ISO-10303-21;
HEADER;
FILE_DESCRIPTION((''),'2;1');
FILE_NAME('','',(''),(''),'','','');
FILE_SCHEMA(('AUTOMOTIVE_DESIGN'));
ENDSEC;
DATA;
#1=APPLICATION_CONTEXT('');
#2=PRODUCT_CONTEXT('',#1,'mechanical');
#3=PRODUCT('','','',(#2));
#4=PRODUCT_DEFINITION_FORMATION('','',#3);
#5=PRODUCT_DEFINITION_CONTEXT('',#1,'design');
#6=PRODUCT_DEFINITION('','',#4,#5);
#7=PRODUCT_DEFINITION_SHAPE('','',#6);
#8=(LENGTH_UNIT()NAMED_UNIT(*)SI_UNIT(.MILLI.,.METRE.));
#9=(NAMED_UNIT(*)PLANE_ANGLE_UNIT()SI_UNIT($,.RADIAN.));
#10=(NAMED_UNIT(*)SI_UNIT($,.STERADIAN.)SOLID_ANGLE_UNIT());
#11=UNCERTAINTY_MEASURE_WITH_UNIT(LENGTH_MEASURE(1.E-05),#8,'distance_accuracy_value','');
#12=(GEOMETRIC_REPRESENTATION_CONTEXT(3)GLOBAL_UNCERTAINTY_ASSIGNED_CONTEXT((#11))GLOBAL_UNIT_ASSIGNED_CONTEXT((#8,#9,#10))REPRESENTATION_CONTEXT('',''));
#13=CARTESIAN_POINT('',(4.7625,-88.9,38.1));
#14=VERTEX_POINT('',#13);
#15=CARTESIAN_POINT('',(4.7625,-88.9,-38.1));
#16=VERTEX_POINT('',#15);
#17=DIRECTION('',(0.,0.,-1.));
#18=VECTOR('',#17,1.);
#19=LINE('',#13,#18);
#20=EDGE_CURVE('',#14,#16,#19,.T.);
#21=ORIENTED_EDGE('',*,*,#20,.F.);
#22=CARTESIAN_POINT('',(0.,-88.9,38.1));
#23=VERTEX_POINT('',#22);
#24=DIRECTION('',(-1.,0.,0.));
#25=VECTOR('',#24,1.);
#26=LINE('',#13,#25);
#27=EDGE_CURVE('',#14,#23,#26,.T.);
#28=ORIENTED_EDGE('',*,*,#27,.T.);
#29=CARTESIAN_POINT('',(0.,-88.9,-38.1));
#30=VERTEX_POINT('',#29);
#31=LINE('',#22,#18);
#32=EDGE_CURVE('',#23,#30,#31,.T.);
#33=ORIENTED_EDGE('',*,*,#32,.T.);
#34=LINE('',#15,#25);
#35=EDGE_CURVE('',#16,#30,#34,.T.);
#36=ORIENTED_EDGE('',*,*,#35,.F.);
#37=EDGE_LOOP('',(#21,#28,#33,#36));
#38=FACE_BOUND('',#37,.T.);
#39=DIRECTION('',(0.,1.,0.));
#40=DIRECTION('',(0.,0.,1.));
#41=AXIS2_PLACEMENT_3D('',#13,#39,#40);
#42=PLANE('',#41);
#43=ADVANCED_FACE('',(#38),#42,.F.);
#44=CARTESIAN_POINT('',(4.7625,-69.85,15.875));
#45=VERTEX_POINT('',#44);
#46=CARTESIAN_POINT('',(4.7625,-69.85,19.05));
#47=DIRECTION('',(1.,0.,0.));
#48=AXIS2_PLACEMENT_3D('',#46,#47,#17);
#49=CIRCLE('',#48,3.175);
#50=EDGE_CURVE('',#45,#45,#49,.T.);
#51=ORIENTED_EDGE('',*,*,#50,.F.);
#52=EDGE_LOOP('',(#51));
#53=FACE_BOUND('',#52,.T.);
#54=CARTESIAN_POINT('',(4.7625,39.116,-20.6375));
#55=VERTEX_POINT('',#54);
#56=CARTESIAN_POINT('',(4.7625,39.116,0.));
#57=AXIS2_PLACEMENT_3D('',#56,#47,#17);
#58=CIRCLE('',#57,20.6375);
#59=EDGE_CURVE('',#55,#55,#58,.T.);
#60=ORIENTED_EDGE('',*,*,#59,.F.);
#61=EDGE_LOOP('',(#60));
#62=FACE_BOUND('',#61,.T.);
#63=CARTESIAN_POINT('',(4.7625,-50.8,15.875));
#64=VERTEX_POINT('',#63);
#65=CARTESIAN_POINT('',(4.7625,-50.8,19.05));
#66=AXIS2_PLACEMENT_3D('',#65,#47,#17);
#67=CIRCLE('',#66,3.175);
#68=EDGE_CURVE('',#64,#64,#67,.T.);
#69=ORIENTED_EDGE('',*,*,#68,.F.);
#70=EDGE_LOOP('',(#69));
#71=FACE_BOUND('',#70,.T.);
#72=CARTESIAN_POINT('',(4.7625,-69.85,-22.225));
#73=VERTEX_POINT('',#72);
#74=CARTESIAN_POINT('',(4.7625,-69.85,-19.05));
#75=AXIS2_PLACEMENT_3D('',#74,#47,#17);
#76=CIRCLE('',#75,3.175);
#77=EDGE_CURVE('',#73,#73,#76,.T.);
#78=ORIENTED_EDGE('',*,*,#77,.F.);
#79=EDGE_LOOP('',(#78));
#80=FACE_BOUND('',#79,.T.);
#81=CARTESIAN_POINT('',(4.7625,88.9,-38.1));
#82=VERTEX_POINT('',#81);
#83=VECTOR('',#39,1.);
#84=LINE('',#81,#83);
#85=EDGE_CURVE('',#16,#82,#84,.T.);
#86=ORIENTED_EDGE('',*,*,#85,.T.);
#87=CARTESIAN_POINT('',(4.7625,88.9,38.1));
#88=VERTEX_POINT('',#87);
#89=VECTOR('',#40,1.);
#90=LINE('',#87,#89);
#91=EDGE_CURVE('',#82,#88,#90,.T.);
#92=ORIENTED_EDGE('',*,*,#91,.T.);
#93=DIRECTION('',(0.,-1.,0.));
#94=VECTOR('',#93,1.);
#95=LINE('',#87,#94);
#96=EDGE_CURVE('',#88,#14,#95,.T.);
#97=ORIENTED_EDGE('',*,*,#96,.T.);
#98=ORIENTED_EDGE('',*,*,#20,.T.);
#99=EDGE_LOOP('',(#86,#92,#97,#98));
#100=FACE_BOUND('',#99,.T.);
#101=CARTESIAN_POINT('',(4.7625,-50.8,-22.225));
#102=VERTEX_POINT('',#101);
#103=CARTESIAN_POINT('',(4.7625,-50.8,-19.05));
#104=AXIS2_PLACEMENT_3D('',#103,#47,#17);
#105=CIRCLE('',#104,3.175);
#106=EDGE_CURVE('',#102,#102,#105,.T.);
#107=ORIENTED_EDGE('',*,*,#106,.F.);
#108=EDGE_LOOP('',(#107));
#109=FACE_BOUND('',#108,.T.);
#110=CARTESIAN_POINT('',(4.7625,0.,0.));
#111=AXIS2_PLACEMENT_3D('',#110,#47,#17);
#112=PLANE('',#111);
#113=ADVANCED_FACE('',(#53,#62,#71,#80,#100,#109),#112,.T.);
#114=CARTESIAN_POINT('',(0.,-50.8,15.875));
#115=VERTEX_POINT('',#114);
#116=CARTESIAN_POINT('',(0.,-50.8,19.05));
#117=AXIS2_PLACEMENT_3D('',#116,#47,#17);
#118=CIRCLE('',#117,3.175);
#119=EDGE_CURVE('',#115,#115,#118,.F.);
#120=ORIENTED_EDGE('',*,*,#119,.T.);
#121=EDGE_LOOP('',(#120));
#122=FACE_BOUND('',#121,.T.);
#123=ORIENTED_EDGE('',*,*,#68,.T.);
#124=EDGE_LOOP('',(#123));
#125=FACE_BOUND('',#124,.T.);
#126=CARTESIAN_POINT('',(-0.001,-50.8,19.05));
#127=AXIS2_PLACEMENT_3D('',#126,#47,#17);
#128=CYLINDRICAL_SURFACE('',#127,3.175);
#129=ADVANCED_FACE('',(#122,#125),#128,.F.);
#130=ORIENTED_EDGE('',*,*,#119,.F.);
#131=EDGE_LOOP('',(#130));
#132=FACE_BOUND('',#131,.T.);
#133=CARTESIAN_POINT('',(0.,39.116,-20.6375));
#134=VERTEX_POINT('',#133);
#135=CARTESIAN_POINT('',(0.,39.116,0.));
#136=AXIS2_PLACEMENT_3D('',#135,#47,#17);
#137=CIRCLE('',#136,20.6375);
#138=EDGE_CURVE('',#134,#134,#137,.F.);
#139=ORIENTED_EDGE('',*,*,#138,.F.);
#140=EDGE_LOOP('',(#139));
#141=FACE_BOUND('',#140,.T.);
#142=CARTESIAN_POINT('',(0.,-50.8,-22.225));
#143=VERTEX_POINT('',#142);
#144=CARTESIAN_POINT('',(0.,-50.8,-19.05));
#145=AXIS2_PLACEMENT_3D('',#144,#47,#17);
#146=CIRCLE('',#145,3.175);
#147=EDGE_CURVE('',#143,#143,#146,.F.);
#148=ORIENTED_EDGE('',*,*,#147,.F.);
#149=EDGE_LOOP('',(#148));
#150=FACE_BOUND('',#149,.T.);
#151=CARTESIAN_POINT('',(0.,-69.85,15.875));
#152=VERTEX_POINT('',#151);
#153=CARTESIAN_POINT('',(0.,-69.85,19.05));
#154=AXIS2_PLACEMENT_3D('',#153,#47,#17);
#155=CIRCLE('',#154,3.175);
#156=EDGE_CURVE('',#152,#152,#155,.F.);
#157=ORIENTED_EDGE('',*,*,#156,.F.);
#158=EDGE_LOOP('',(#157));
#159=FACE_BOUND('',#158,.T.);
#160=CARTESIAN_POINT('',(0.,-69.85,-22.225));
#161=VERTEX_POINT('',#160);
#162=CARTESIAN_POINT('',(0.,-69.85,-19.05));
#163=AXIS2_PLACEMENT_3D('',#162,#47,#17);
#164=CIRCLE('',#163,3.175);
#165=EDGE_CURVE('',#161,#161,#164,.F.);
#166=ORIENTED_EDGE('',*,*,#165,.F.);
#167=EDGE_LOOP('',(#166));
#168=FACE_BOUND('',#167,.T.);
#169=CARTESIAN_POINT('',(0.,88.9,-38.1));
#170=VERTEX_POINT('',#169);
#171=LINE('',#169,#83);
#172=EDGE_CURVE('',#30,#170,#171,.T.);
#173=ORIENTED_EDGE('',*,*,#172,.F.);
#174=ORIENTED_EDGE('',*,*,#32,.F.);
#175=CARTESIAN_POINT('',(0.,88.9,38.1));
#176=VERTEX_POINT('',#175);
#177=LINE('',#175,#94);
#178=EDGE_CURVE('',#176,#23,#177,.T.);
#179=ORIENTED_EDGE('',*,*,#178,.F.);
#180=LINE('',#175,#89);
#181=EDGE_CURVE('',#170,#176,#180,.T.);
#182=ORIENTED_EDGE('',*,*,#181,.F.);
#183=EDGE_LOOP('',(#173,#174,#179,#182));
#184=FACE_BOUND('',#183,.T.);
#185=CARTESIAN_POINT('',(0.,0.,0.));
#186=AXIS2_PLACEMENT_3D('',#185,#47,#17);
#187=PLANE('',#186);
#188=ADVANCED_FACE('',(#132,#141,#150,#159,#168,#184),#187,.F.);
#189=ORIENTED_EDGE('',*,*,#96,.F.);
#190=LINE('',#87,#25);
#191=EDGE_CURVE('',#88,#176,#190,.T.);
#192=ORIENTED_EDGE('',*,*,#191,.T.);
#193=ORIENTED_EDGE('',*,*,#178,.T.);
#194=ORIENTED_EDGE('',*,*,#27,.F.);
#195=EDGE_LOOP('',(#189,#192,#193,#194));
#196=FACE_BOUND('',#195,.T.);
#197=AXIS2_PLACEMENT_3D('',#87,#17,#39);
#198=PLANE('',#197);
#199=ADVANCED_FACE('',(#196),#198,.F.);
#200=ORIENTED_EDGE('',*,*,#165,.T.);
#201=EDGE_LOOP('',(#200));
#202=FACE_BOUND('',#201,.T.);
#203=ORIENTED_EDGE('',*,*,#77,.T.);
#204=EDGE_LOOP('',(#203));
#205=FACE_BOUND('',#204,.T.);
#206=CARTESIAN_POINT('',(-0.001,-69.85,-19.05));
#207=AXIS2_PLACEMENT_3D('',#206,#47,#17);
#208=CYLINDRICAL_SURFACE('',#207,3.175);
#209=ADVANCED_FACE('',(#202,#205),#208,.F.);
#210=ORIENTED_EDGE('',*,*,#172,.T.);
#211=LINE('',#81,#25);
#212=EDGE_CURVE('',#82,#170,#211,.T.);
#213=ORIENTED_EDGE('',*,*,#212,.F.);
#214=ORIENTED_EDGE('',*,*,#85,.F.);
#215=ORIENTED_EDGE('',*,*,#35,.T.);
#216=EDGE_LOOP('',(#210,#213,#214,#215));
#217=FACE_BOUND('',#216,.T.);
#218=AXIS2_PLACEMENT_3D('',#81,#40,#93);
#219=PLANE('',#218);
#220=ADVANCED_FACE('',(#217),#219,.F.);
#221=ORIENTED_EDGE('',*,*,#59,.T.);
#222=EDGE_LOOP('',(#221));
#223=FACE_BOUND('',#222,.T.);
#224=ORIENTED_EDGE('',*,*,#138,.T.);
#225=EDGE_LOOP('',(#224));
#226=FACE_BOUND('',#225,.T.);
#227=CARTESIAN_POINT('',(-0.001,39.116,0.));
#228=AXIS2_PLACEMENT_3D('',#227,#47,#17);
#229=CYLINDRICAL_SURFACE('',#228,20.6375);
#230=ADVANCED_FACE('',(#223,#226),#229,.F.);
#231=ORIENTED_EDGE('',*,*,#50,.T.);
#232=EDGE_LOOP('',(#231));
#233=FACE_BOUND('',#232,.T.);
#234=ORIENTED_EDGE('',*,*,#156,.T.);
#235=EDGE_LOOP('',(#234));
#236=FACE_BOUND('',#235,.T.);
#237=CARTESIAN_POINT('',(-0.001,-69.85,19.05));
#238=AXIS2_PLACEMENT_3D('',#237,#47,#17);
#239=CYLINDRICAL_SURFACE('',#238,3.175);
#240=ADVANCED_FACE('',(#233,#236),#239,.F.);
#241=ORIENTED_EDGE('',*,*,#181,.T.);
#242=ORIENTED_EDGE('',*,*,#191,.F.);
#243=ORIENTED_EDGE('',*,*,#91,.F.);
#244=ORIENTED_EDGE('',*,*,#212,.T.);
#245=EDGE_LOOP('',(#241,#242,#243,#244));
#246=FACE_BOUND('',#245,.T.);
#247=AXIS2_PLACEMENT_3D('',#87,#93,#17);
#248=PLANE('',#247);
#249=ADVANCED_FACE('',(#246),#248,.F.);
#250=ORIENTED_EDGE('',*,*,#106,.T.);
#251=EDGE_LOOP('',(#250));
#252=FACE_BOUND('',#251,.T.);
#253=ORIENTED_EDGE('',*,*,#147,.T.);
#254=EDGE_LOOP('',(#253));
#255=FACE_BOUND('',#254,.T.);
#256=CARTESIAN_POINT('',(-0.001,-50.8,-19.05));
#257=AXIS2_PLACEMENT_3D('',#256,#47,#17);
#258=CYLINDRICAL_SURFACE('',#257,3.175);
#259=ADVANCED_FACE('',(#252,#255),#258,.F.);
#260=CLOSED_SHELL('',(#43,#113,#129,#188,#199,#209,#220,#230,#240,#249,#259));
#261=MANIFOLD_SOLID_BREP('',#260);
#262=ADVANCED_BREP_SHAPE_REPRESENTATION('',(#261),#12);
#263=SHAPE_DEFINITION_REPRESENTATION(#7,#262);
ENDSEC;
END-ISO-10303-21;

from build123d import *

# Parameters (mm, degrees)
SKETCH1_W           = 76.2
SKETCH1_H           = 177.8
BOSS_EXTRUDE1_DEPTH = 4.7625
CUT_EXTRUDE1_REACH  = 98.838
SKETCH2_R           = 20.6375
CUT_EXTRUDE2_REACH  = 98.838
SKETCH4_R           = 3.175


with BuildPart() as part:
    # Sketch1 → Boss-Extrude1 (new body)
    with BuildSketch(Plane(origin=(0, 0, 0), x_dir=(0, 0, -1), z_dir=(1, 0, 0))):
        Rectangle(SKETCH1_W, SKETCH1_H)
    extrude(amount=BOSS_EXTRUDE1_DEPTH)

    # Sketch2 → Cut-Extrude1 (cut, up to next)
    with BuildSketch(Plane(origin=(4.7625, 0, 0), x_dir=(0, 0, -1), z_dir=(1, 0, 0)), mode=Mode.PRIVATE) as cut_extrude1_sk1:
        with Locations((0, 39.116)):
            Circle(SKETCH2_R)
    cut_extrude1_tool1 = extrude(cut_extrude1_sk1.sketch, amount=-CUT_EXTRUDE1_REACH, mode=Mode.PRIVATE) & part.part
    add(cut_extrude1_tool1.solids().sort_by_distance((4.7625, 39.116, 0))[0], mode=Mode.SUBTRACT)

    # Sketch4 → Cut-Extrude2 (cut, up to next)
    with BuildSketch(Plane(origin=(4.7625, 0, 0), x_dir=(0, 0, -1), z_dir=(1, 0, 0)), mode=Mode.PRIVATE) as cut_extrude2_sk1:
        with Locations((-19.05, -50.8)):
            Circle(SKETCH4_R)
    cut_extrude2_tool1 = extrude(cut_extrude2_sk1.sketch, amount=-CUT_EXTRUDE2_REACH, mode=Mode.PRIVATE) & part.part
    # Sketch4 → Cut-Extrude2 (cut, up to next)
    with BuildSketch(Plane(origin=(4.7625, 0, 0), x_dir=(0, 0, -1), z_dir=(1, 0, 0)), mode=Mode.PRIVATE) as cut_extrude2_sk2:
        with Locations((19.05, -50.8)):
            Circle(SKETCH4_R)
    cut_extrude2_tool2 = extrude(cut_extrude2_sk2.sketch, amount=-CUT_EXTRUDE2_REACH, mode=Mode.PRIVATE) & part.part
    # Sketch4 → Cut-Extrude2 (cut, up to next)
    with BuildSketch(Plane(origin=(4.7625, 0, 0), x_dir=(0, 0, -1), z_dir=(1, 0, 0)), mode=Mode.PRIVATE) as cut_extrude2_sk3:
        with Locations((19.05, -69.85)):
            Circle(SKETCH4_R)
    cut_extrude2_tool3 = extrude(cut_extrude2_sk3.sketch, amount=-CUT_EXTRUDE2_REACH, mode=Mode.PRIVATE) & part.part
    # Sketch4 → Cut-Extrude2 (cut, up to next)
    with BuildSketch(Plane(origin=(4.7625, 0, 0), x_dir=(0, 0, -1), z_dir=(1, 0, 0)), mode=Mode.PRIVATE) as cut_extrude2_sk4:
        with Locations((-19.05, -69.85)):
            Circle(SKETCH4_R)
    cut_extrude2_tool4 = extrude(cut_extrude2_sk4.sketch, amount=-CUT_EXTRUDE2_REACH, mode=Mode.PRIVATE) & part.part
    add(cut_extrude2_tool1.solids().sort_by_distance((4.7625, -50.8, 19.05))[0], mode=Mode.SUBTRACT)
    add(cut_extrude2_tool2.solids().sort_by_distance((4.7625, -50.8, -19.05))[0], mode=Mode.SUBTRACT)
    add(cut_extrude2_tool3.solids().sort_by_distance((4.7625, -69.85, -19.05))[0], mode=Mode.SUBTRACT)
    add(cut_extrude2_tool4.solids().sort_by_distance((4.7625, -69.85, 19.05))[0], mode=Mode.SUBTRACT)


solid = part.part
